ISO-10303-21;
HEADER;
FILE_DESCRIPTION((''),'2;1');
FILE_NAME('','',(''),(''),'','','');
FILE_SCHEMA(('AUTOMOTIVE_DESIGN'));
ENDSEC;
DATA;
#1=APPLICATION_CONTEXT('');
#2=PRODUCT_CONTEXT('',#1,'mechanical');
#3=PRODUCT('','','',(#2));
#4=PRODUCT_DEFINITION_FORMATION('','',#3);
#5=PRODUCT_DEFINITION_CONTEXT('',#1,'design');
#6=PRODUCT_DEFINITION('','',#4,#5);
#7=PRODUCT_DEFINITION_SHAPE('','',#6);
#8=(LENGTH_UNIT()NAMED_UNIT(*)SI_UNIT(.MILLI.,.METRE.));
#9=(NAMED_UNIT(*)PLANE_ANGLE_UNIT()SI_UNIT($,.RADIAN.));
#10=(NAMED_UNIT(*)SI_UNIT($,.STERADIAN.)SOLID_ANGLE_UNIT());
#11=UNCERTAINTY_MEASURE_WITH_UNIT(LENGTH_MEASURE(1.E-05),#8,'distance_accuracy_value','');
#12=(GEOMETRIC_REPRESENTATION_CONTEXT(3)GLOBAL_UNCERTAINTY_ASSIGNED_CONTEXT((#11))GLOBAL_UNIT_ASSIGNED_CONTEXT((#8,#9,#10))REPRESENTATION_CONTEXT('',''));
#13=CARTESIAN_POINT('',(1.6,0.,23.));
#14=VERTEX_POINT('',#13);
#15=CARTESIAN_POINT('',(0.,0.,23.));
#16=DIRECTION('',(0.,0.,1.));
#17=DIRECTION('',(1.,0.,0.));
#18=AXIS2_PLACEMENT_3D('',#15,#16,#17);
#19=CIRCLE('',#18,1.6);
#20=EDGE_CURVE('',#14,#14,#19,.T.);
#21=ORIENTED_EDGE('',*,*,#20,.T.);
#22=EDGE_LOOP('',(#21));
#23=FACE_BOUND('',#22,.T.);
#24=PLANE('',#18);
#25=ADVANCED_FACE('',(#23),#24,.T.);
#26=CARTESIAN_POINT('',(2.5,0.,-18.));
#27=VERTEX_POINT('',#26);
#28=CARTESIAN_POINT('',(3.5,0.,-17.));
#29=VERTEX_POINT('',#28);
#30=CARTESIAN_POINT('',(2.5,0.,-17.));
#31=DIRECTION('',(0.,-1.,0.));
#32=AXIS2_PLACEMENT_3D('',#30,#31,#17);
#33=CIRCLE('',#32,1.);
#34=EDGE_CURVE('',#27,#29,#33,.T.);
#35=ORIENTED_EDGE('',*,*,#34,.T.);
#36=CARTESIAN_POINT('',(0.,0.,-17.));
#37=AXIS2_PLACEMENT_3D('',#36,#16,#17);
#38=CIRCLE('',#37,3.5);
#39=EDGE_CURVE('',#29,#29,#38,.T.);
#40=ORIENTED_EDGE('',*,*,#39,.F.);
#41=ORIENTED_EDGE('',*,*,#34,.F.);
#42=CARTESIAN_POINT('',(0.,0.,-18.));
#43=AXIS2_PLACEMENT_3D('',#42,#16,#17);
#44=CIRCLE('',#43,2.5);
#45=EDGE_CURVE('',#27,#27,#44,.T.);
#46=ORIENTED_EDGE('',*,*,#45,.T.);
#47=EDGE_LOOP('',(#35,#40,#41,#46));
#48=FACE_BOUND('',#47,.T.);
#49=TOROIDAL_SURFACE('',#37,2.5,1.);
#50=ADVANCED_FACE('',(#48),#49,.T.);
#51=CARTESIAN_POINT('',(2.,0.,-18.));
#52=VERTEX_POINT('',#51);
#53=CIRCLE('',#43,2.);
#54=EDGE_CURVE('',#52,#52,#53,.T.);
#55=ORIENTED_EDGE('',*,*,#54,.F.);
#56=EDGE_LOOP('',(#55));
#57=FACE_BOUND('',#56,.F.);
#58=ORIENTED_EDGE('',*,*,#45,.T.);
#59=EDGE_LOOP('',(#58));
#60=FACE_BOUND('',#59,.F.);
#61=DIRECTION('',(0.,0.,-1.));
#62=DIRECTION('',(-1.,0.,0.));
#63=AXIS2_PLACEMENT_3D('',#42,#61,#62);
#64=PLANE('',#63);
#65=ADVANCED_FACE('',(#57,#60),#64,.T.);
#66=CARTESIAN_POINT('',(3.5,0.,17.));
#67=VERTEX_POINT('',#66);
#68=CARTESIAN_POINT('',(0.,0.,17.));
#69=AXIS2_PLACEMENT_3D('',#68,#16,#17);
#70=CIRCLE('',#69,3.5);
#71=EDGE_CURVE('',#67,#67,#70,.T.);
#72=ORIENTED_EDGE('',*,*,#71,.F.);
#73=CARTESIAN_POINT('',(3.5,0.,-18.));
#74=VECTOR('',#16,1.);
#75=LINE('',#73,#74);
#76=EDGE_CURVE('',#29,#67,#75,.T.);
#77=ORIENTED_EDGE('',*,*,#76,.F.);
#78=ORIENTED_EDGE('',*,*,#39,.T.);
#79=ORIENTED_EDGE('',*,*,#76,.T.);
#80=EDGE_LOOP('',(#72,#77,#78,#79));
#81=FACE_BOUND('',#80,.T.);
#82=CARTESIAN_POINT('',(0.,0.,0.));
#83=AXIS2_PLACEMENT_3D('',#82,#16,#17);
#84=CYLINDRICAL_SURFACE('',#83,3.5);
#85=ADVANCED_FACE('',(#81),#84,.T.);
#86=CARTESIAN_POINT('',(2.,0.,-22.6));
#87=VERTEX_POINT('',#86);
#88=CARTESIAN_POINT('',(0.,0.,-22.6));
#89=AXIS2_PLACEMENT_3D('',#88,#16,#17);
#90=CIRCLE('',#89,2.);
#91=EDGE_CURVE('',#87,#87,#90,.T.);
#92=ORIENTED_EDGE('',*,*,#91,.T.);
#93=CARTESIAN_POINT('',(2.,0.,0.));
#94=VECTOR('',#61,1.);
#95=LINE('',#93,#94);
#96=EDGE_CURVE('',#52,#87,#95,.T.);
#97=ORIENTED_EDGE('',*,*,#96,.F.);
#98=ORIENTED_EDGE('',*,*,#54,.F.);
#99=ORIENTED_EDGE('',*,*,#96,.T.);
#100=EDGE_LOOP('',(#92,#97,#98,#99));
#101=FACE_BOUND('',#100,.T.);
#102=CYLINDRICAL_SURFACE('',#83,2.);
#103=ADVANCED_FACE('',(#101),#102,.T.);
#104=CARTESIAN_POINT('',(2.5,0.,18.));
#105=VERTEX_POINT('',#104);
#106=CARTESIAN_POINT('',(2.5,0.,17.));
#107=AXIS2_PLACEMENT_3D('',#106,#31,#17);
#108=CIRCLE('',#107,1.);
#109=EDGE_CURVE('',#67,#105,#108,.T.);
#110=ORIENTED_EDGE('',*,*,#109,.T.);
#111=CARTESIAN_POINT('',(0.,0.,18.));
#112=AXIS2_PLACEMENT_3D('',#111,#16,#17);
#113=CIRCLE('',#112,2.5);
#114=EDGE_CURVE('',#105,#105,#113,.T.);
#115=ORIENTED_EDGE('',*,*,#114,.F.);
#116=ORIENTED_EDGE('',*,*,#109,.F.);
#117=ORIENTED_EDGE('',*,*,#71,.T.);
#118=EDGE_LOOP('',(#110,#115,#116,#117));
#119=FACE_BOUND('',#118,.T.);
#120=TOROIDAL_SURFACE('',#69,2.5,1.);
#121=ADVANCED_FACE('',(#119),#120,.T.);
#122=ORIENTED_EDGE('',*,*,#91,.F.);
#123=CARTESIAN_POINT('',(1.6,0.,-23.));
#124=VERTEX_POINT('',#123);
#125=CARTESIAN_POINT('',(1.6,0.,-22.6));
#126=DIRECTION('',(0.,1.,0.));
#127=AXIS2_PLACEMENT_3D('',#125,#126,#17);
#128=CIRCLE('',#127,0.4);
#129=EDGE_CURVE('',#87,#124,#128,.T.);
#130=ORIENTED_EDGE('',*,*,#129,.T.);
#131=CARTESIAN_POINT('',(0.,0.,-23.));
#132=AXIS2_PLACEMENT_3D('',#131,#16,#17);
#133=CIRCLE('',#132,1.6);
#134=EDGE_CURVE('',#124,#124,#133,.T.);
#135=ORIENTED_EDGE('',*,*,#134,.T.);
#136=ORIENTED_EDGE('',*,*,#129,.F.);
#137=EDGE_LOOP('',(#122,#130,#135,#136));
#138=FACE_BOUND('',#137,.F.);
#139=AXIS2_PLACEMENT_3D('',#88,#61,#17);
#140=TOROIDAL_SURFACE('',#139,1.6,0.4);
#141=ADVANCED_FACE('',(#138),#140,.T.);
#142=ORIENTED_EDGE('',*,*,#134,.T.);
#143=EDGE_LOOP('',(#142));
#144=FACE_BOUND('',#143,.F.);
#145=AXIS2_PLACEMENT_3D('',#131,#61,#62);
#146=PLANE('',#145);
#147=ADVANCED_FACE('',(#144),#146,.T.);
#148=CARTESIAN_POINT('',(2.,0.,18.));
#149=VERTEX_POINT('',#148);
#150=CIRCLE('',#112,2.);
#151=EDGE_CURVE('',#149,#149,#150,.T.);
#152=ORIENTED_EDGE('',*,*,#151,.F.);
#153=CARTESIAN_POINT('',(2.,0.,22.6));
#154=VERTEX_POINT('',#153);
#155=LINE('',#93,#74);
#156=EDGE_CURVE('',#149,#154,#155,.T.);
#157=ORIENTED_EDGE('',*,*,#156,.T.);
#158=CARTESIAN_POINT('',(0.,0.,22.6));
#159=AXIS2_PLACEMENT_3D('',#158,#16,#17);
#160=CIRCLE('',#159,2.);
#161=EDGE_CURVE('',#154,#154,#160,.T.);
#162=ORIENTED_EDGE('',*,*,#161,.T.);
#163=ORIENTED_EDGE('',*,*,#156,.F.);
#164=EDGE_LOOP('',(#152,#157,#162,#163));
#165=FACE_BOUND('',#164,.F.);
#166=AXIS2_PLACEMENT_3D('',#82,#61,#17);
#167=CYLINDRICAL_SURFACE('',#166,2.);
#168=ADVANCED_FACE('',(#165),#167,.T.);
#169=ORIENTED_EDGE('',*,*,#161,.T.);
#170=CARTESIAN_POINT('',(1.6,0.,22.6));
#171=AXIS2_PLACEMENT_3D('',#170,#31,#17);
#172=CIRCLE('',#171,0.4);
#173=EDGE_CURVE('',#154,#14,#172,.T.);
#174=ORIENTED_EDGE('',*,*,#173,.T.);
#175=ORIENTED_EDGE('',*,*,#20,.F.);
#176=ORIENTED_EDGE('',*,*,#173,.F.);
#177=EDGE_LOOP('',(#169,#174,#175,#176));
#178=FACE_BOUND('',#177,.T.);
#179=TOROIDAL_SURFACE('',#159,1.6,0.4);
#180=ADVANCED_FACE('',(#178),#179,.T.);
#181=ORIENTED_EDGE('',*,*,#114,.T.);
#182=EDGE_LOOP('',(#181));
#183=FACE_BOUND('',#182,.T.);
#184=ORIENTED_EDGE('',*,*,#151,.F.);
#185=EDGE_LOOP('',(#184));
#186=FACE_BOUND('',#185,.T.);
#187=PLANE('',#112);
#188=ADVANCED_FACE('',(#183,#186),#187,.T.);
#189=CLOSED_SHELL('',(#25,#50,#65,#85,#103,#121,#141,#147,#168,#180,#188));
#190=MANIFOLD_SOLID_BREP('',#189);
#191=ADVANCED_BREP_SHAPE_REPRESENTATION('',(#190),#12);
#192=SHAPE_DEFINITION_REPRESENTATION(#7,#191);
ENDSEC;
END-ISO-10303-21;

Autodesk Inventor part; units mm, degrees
ref_plane "YZ Plane" through (0, 0, 0) normal (1, 0, 0) x (0, 1, 0)
ref_plane "XZ Plane" through (0, 0, 0) normal (0, 1, 0) x (-1, 0, 0)
ref_plane "XY Plane" through (0, 0, 0) normal (0, 0, 1) x (1, 0, 0)
sketch "Sketch1" plane through (0, 0, 0) normal (0, 0, 1) x (1, 0, 0)
  circle A0 centre (0, 0) radius 2
  circle A1 centre (0, 0) radius 3.5
  dimension "d0" = 7
  dimension "d1" = 4
extrude "Extrusion1" add sketch "Sketch1" along normal blind 18
extrude "Extrusion2" add sketch "Sketch1" along normal blind 23 contours A0
fillet "Fillet1" radius 1 1 edges at (-3.5, 0, 18)
fillet "Fillet2" radius 0.4 1 edges at (-2, 0, 23)
mirror "Mirror1" about plane through (0, 0, 0) normal (0, 0, 1) of "Extrusion1", "Extrusion2", "Fillet1", "Fillet2"
equation "\"d2\" = 0.5 * length"
equation "\"length\" = 36"
properties part number "SCAMI D-PA C-RAIL ROLLER"
